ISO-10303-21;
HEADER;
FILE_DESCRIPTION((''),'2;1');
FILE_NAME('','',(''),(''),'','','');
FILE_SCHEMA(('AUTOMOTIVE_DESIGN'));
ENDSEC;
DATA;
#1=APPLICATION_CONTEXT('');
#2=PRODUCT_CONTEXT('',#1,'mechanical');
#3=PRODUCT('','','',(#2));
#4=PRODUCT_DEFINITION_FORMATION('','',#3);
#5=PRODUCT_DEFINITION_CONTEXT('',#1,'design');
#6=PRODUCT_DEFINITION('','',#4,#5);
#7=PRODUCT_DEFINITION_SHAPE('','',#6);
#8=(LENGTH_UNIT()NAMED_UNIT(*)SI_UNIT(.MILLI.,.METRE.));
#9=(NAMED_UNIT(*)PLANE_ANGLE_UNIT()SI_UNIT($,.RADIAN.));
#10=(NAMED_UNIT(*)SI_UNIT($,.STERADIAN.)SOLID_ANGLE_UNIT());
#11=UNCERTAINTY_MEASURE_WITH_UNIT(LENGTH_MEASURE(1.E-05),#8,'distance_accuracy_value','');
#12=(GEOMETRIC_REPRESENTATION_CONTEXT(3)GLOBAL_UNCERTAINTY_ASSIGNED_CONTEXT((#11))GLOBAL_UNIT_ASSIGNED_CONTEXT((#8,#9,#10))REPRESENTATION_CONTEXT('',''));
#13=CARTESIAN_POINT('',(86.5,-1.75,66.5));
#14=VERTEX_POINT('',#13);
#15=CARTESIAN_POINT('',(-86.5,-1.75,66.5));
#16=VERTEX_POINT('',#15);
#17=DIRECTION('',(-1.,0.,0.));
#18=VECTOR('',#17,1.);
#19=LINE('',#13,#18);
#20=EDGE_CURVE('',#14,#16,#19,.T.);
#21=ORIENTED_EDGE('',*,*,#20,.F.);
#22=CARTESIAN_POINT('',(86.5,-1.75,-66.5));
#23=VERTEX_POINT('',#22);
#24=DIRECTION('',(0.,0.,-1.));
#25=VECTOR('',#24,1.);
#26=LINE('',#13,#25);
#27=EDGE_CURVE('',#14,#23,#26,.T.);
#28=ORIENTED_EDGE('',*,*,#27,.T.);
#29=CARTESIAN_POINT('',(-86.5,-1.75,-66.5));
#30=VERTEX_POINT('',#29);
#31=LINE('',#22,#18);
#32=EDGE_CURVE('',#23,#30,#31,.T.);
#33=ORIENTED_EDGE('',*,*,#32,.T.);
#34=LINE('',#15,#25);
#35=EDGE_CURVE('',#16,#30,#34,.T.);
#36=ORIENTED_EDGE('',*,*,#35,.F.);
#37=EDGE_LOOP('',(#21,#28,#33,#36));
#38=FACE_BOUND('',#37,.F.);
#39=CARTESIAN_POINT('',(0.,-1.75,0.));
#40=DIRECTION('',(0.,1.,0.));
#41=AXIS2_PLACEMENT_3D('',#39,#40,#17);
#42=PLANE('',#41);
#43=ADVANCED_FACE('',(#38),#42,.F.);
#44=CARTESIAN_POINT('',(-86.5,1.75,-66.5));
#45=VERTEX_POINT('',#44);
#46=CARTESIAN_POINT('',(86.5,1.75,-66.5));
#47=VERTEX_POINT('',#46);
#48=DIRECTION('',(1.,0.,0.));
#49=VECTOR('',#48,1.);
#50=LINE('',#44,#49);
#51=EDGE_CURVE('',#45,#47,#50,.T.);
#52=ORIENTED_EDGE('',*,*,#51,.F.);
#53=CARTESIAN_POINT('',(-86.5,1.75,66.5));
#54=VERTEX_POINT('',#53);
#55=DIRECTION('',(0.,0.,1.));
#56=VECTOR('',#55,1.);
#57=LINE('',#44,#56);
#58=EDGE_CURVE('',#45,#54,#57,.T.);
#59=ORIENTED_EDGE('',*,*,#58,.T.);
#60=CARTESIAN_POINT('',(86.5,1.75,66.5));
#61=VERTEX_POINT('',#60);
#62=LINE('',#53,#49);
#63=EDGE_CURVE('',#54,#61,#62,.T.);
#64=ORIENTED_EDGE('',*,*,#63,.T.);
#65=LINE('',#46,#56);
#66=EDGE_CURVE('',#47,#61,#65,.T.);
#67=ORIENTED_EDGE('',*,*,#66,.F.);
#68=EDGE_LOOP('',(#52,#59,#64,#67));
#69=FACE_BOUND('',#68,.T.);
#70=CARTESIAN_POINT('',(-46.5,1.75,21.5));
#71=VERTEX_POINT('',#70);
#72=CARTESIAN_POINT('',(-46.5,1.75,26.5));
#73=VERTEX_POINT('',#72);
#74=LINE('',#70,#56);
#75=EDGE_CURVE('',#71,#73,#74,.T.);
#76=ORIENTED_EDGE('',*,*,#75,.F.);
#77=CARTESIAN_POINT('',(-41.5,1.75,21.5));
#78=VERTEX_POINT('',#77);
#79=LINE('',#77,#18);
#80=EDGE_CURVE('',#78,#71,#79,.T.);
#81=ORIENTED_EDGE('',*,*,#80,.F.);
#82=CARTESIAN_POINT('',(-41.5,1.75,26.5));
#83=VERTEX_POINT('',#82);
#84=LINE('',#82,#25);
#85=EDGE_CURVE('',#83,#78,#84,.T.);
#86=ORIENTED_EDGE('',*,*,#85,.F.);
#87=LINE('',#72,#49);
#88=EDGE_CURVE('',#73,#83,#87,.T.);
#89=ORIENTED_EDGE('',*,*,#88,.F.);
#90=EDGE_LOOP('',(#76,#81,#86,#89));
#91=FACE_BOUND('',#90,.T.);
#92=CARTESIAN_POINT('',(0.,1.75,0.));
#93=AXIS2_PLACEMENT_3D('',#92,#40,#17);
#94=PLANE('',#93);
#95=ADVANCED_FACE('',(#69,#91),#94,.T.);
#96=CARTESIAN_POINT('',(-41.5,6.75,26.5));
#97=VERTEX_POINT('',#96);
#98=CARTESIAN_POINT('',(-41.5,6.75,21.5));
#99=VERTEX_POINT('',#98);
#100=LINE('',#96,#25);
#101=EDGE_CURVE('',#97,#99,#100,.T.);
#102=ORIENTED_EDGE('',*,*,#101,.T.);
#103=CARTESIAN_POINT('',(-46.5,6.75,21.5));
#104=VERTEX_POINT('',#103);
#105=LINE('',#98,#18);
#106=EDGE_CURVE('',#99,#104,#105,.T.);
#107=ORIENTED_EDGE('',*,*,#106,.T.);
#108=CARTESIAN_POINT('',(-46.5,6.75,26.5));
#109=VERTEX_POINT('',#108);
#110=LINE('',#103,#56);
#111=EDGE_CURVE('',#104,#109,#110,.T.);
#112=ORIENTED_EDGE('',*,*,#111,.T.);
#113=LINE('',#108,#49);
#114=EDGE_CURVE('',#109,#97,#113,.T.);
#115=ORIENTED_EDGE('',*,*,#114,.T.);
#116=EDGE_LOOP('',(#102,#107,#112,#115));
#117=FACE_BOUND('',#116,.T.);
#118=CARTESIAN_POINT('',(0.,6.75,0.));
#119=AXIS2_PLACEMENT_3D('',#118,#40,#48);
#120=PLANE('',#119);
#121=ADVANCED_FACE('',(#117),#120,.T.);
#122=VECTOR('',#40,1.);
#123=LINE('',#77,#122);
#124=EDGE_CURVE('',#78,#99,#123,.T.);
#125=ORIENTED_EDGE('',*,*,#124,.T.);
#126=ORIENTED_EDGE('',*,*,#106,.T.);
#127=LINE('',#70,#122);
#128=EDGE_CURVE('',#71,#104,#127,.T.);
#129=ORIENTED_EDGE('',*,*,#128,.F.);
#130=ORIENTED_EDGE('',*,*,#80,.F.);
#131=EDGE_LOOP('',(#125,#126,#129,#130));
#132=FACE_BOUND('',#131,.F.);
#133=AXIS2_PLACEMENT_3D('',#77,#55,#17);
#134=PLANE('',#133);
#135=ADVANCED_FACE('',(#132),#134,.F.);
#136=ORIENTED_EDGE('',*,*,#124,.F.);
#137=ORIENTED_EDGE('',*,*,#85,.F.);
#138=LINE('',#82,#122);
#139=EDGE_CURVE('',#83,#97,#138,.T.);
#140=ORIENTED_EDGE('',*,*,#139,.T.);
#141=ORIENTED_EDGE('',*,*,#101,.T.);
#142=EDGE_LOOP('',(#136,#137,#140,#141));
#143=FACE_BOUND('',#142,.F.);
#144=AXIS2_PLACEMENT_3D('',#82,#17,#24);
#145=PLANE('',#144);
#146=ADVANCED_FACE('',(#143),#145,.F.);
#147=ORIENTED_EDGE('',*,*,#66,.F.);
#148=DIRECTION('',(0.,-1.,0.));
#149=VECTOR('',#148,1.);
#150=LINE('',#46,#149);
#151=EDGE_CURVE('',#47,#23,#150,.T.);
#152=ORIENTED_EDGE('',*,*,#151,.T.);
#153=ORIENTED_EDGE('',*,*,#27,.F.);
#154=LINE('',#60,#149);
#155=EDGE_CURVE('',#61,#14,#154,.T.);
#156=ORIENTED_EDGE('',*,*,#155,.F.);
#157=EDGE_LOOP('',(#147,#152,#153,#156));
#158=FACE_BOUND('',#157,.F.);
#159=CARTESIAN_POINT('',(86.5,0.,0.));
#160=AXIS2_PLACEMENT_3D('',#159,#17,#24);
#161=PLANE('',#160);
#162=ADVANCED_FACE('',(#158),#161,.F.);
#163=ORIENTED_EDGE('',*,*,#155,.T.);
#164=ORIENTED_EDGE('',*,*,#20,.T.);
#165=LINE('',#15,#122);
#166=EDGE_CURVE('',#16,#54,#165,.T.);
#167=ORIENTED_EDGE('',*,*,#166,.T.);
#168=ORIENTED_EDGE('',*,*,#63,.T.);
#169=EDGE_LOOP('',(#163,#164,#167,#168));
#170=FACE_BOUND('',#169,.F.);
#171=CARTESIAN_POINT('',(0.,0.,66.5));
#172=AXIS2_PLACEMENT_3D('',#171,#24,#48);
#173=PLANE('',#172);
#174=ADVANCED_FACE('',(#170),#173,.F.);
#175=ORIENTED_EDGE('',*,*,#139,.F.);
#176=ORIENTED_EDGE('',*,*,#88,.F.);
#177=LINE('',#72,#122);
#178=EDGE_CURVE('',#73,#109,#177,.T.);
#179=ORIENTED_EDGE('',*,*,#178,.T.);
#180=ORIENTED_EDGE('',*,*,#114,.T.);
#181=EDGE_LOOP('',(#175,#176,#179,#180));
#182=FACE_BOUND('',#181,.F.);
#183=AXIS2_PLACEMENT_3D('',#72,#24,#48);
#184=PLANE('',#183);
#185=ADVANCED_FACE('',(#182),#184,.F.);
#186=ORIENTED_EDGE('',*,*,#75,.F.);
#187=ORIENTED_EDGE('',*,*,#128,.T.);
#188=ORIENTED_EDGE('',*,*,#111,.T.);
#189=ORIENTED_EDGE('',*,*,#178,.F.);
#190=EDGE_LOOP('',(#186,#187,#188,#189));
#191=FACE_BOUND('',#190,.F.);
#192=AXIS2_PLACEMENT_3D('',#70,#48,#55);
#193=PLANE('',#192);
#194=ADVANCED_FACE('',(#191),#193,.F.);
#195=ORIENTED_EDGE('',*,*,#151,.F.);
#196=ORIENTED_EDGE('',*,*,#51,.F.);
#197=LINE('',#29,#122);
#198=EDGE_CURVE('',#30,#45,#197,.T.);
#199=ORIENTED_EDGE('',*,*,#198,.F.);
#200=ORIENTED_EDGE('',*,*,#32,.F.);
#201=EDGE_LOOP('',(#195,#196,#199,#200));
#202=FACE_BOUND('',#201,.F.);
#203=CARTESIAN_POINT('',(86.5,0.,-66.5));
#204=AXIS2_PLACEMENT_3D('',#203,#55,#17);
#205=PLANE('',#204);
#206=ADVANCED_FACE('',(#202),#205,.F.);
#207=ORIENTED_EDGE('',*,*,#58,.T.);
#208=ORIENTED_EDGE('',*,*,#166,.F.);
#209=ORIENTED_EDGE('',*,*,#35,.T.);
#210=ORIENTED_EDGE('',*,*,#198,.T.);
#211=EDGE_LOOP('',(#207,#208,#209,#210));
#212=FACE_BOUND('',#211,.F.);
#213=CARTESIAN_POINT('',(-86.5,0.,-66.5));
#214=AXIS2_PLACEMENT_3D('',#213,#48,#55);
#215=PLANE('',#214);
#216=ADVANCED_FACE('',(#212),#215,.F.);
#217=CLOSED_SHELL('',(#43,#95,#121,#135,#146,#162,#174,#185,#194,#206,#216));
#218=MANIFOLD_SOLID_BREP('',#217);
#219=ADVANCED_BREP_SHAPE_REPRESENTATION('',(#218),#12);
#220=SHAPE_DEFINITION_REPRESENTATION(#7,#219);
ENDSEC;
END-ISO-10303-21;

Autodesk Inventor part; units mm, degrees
ref_plane "YZ Plane" through (0, 0, 0) normal (1, 0, 0) x (0, 1, 0)
ref_plane "XZ Plane" through (0, 0, 0) normal (0, 1, 0) x (-1, 0, 0)
ref_plane "XY Plane" through (0, 0, 0) normal (0, 0, 1) x (1, 0, 0)
sketch "Náčrt1" plane through (0, 0, 0) normal (0, 1, 0) x (-1, 0, 0)
  line L0 (0, -93.1) -> (0, 93.1) projected
  line L1 (-121.1, 0) -> (121.1, 0) projected
  line L2 (86.5, 66.5) -> (-86.5, 66.5)
  line L3 (-86.5, 66.5) -> (-86.5, -66.5)
  line L4 (-86.5, -66.5) -> (86.5, -66.5)
  line L5 (86.5, -66.5) -> (86.5, 66.5)
  point P0 (0, 0)
  dimension "d0" = 133
  dimension "d1" = 173
extrude "Vysunutí1" add sketch "Náčrt1" along normal mid plane 3.5
sketch "Náčrt2" plane through (0, 1.75, 0) normal (0, 1, 0) x (1, 0, 0)
  line L0 (-46.5, -26.5) -> (-41.5, -26.5)
  line L1 (-41.5, -26.5) -> (-41.5, -21.5)
  line L2 (-41.5, -21.5) -> (-46.5, -21.5)
  line L3 (-46.5, -21.5) -> (-46.5, -26.5)
  line L4 (-86.5, -66.5) -> (86.5, -66.5) projected
  line L5 (-86.5, 66.5) -> (-86.5, -66.5) projected
  point P0 (0, 0)
  dimension "d4" = 5
  dimension "d5" = 5
  dimension "d6" = 40
  dimension "d7" = 40
extrude "Vysunutí2" add sketch "Náčrt2" along normal blind 5
properties part number "Cabinet - left"
